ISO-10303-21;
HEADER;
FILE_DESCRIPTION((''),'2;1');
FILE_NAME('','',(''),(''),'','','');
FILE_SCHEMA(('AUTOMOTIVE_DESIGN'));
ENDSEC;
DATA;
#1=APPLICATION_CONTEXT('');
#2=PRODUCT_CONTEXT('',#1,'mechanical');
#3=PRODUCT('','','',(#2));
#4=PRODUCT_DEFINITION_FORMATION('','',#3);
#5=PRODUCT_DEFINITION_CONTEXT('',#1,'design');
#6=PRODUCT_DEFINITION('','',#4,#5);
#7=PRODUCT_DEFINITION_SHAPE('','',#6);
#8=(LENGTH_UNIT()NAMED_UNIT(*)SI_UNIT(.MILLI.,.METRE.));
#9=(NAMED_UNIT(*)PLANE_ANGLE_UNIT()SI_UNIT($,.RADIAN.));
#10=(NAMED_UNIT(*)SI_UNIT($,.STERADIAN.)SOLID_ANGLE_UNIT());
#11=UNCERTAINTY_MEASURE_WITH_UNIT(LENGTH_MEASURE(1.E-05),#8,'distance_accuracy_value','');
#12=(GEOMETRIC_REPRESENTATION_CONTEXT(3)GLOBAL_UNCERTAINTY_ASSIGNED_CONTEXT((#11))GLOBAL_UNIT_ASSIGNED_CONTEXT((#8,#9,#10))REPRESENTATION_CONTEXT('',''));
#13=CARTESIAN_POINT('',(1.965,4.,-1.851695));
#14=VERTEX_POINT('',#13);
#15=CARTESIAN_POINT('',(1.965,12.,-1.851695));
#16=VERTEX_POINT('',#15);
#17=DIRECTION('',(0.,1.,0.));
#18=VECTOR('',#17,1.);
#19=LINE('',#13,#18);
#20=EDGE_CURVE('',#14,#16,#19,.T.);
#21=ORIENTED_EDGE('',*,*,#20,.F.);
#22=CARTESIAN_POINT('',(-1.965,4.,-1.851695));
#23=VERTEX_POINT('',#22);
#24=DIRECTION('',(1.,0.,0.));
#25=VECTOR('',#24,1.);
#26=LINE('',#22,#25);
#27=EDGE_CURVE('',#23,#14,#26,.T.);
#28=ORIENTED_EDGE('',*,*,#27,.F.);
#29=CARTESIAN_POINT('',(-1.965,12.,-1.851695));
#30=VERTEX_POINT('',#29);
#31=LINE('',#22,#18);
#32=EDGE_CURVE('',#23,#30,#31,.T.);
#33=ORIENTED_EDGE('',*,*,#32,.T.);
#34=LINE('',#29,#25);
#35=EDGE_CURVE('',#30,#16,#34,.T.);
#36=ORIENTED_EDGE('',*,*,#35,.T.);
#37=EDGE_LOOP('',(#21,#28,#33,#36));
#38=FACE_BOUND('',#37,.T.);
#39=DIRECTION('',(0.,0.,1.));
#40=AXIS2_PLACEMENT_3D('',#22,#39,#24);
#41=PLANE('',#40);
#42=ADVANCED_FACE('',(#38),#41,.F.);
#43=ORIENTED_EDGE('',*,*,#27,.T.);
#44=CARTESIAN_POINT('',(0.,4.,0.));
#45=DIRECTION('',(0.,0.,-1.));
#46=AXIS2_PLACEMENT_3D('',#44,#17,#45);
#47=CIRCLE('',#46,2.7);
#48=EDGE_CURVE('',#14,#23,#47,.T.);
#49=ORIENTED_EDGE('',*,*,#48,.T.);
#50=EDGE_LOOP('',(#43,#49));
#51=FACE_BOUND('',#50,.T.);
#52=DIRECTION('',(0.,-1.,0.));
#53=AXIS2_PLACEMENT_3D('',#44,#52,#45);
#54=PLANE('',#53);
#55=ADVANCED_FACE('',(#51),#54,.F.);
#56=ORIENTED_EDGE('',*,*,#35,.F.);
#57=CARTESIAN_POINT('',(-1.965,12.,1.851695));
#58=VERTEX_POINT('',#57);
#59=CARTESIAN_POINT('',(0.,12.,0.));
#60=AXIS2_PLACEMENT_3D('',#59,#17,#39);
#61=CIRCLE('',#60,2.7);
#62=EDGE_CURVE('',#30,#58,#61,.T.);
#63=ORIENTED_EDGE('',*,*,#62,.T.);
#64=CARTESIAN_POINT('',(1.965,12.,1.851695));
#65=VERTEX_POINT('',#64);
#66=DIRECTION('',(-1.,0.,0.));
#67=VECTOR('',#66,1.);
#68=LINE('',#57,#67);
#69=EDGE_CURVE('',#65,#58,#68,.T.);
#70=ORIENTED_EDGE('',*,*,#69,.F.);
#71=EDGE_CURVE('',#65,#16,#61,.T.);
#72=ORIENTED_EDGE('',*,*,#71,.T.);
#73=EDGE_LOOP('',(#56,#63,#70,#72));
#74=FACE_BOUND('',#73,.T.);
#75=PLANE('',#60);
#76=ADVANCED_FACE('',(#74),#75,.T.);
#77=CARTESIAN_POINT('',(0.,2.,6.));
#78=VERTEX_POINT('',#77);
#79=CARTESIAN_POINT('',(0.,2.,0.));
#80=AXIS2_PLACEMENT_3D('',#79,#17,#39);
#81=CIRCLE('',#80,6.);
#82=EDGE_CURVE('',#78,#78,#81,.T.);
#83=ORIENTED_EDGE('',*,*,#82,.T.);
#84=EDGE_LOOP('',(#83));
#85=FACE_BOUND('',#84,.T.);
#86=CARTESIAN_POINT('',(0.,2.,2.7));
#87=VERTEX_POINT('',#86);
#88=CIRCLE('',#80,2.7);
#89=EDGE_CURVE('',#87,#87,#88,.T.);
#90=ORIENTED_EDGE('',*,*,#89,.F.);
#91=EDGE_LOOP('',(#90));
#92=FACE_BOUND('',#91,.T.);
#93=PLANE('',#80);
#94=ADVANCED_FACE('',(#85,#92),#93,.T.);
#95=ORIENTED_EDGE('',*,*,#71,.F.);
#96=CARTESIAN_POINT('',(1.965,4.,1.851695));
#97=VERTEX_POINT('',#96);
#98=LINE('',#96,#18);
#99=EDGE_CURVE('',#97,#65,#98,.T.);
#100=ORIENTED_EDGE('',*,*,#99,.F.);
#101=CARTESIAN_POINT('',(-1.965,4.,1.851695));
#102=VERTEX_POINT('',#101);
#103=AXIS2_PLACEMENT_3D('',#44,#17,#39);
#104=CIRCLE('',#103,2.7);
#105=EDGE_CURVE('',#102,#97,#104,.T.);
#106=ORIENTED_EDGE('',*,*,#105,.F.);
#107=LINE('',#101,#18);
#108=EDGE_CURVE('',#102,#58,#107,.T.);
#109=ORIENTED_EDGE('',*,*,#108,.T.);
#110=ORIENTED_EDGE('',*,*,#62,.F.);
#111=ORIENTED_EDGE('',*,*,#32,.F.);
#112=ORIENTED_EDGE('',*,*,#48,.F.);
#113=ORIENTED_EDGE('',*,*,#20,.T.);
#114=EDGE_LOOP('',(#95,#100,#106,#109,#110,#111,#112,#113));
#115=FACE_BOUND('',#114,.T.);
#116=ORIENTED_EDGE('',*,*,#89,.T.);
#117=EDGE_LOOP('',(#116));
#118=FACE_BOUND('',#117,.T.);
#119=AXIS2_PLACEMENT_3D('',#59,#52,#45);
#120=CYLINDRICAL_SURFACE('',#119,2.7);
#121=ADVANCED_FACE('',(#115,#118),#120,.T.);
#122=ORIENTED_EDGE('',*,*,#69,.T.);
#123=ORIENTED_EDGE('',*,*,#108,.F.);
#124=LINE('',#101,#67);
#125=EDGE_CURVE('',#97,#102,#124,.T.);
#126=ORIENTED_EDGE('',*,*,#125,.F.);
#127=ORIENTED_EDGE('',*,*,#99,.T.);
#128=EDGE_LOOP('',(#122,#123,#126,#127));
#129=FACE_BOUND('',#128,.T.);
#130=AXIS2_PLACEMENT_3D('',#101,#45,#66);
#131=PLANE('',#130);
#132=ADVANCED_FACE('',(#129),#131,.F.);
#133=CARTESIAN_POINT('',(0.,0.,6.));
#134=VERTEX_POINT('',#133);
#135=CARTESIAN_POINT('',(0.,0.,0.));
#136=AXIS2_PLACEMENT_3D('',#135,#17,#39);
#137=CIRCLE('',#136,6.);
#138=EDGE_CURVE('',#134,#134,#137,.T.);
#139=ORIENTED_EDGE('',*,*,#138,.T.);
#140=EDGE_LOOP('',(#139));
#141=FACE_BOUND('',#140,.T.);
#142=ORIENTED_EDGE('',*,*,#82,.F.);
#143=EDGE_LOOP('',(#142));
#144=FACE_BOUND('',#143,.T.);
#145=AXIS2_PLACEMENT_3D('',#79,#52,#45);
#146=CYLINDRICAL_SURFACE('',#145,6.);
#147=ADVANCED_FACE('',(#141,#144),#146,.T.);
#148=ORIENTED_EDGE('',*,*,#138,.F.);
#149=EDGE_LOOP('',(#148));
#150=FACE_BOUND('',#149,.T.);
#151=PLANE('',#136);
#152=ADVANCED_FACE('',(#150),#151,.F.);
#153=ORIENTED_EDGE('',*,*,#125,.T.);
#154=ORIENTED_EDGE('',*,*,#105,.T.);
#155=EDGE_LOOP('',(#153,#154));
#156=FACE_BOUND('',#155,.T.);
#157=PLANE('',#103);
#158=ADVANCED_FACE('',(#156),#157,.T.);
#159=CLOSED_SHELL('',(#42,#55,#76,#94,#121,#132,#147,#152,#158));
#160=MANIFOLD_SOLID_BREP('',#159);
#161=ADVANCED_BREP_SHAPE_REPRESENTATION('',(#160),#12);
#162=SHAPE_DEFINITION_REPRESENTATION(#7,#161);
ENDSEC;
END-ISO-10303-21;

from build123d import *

# Parameters (mm, degrees)
SKETCH1_R           = 6
BOSS_EXTRUDE1_DEPTH = 2
SKETCH2_R           = 2.7
BOSS_EXTRUDE2_DEPTH = 10
CUT_EXTRUDE1_DEPTH  = 8


with BuildPart() as part:
    # Sketch1 → Boss-Extrude1 (new body)
    with BuildSketch(Plane(origin=(0, 0, 0), x_dir=(1, 0, 0), z_dir=(0, 1, 0))):
        Circle(SKETCH1_R)
    extrude(amount=BOSS_EXTRUDE1_DEPTH)

    # Sketch2 → Boss-Extrude2 (add)
    with BuildSketch(Plane(origin=(0, 2, 0), x_dir=(1, 0, 0), z_dir=(0, 1, 0))):
        Circle(SKETCH2_R)
    extrude(amount=BOSS_EXTRUDE2_DEPTH)

    # Sketch3 → Cut-Extrude1 (cut)
    with BuildSketch(Plane(origin=(0, 12, 0), x_dir=(1, 0, 0), z_dir=(0, 1, 0))):
        with BuildLine():
            Line((-1.965, 1.851695169), (1.965, 1.851695169))
            ThreePointArc((1.965, 1.851695169), (0, 2.7), (-1.965, 1.851695169))
        make_face()
        with BuildLine():
            Line((-1.965, -1.851695169), (1.965, -1.851695169))
            ThreePointArc((1.965, -1.851695169), (0, -2.7), (-1.965, -1.851695169))
        make_face()
    extrude(amount=-CUT_EXTRUDE1_DEPTH, mode=Mode.SUBTRACT)


solid = part.part
